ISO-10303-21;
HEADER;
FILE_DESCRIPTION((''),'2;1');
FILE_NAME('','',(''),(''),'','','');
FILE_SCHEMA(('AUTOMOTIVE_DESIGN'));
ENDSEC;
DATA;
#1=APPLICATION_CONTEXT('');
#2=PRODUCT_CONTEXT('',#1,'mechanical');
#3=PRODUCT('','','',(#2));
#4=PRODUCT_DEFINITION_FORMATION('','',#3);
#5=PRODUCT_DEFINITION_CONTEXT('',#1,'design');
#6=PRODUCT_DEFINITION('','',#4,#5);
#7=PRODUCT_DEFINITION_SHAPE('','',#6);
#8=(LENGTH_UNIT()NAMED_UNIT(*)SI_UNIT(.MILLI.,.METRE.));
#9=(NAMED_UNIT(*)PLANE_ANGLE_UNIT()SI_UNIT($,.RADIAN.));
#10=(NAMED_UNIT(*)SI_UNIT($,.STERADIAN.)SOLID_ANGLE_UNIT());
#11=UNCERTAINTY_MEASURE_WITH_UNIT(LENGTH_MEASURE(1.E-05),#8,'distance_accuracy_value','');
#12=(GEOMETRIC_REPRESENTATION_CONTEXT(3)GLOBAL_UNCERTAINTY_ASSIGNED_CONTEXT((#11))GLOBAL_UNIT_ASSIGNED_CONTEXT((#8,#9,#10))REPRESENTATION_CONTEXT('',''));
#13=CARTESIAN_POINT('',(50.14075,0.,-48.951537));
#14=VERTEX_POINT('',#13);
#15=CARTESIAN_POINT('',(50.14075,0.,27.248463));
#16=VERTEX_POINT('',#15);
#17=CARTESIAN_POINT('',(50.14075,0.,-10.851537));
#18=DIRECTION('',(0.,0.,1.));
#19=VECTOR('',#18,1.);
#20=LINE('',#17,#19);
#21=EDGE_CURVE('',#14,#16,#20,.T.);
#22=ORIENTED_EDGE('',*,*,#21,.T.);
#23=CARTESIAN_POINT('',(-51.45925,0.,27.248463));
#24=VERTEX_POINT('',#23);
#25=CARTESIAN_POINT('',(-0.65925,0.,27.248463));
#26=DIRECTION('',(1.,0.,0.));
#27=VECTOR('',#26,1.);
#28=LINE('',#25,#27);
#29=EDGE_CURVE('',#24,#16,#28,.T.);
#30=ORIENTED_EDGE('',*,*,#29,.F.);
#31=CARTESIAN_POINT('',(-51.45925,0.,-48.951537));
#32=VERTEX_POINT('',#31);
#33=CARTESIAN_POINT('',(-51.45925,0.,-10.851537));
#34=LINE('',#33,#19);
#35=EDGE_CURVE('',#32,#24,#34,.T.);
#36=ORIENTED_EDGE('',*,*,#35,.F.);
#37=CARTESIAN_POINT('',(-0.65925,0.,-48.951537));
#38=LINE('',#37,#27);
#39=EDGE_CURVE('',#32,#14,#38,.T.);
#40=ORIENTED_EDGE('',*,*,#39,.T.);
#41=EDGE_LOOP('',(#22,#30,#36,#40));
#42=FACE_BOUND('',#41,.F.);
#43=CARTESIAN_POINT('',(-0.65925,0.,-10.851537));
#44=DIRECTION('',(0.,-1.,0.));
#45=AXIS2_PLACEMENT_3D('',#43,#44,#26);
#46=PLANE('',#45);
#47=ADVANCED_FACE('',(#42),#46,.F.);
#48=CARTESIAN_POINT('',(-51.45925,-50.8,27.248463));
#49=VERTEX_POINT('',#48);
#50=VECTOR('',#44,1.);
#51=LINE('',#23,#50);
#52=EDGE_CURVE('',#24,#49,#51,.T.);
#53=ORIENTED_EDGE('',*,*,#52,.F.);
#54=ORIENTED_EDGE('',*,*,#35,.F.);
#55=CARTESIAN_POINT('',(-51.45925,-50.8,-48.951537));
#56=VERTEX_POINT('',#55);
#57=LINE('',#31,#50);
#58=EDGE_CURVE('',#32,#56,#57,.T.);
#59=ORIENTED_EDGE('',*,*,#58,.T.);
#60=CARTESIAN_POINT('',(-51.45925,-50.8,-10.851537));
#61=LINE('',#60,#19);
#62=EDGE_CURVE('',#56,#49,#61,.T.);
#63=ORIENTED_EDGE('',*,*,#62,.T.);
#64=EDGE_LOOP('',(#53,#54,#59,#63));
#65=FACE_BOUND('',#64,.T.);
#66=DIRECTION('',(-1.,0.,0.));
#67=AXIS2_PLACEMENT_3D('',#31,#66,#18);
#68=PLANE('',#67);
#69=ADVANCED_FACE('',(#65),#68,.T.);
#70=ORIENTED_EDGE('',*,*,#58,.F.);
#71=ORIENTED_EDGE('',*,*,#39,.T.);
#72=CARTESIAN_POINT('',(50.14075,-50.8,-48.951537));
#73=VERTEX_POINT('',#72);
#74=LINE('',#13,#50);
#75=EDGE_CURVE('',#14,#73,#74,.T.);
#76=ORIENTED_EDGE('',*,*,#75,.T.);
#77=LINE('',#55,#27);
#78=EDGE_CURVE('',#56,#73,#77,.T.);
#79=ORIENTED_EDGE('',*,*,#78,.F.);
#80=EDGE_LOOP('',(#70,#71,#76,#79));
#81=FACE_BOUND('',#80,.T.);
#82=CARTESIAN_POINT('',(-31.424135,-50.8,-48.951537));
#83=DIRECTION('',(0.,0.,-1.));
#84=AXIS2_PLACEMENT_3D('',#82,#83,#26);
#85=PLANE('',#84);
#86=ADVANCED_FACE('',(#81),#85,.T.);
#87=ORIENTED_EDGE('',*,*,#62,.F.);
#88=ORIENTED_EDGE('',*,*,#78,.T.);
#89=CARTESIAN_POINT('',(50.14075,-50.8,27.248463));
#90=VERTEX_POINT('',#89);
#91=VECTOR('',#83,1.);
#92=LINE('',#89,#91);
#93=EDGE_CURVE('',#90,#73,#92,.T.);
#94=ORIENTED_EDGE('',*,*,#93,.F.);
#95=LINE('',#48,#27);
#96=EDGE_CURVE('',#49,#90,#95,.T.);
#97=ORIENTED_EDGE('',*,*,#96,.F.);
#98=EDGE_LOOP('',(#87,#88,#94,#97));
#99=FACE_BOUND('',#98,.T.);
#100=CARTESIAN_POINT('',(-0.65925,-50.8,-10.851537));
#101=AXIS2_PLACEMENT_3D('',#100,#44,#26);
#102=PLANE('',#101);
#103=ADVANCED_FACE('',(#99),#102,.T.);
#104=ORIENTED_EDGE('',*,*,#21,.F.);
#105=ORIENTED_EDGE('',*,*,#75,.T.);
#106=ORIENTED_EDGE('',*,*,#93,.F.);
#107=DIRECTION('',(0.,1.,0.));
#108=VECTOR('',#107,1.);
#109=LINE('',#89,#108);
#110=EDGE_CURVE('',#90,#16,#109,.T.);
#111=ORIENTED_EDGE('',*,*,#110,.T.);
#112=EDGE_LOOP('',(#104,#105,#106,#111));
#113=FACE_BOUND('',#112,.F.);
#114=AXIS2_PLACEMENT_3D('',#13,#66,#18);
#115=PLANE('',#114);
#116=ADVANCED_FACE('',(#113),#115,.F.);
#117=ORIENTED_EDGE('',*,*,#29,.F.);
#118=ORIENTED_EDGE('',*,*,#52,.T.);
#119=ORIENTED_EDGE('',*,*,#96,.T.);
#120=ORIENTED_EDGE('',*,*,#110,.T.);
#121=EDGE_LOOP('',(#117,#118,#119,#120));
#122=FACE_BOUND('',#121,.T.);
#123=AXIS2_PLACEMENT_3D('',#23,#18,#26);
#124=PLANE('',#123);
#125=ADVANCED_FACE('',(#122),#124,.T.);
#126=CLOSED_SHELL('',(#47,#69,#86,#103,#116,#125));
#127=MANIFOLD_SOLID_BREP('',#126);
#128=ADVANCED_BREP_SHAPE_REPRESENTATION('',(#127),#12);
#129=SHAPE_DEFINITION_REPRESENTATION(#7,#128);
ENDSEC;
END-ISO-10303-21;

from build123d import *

# Parameters (mm, degrees)
F0_W     = 101.6
F0_H     = 76.2
F1_DEPTH = 50.8
F3_DEPTH = 25.4


with BuildPart() as f1:
    # F0 (on Front) → F1 (new body)
    with BuildSketch(Plane.XZ):
        with Locations((-0.65925, -10.851537)):
            Rectangle(F0_W, F0_H)
    extrude(amount=F1_DEPTH)

    # F2 (on face) → F3 (join)
    with BuildSketch(Plane.XZ.offset(50.8)):
        Polygon((50.14075, 27.248463), (-9.009716, 27.248463), (-31.424135, -48.951537), (25.271157, -48.951537), (50.14075, -10.851537), align=None)
    extrude(amount=-F3_DEPTH)


solid = f1.part
